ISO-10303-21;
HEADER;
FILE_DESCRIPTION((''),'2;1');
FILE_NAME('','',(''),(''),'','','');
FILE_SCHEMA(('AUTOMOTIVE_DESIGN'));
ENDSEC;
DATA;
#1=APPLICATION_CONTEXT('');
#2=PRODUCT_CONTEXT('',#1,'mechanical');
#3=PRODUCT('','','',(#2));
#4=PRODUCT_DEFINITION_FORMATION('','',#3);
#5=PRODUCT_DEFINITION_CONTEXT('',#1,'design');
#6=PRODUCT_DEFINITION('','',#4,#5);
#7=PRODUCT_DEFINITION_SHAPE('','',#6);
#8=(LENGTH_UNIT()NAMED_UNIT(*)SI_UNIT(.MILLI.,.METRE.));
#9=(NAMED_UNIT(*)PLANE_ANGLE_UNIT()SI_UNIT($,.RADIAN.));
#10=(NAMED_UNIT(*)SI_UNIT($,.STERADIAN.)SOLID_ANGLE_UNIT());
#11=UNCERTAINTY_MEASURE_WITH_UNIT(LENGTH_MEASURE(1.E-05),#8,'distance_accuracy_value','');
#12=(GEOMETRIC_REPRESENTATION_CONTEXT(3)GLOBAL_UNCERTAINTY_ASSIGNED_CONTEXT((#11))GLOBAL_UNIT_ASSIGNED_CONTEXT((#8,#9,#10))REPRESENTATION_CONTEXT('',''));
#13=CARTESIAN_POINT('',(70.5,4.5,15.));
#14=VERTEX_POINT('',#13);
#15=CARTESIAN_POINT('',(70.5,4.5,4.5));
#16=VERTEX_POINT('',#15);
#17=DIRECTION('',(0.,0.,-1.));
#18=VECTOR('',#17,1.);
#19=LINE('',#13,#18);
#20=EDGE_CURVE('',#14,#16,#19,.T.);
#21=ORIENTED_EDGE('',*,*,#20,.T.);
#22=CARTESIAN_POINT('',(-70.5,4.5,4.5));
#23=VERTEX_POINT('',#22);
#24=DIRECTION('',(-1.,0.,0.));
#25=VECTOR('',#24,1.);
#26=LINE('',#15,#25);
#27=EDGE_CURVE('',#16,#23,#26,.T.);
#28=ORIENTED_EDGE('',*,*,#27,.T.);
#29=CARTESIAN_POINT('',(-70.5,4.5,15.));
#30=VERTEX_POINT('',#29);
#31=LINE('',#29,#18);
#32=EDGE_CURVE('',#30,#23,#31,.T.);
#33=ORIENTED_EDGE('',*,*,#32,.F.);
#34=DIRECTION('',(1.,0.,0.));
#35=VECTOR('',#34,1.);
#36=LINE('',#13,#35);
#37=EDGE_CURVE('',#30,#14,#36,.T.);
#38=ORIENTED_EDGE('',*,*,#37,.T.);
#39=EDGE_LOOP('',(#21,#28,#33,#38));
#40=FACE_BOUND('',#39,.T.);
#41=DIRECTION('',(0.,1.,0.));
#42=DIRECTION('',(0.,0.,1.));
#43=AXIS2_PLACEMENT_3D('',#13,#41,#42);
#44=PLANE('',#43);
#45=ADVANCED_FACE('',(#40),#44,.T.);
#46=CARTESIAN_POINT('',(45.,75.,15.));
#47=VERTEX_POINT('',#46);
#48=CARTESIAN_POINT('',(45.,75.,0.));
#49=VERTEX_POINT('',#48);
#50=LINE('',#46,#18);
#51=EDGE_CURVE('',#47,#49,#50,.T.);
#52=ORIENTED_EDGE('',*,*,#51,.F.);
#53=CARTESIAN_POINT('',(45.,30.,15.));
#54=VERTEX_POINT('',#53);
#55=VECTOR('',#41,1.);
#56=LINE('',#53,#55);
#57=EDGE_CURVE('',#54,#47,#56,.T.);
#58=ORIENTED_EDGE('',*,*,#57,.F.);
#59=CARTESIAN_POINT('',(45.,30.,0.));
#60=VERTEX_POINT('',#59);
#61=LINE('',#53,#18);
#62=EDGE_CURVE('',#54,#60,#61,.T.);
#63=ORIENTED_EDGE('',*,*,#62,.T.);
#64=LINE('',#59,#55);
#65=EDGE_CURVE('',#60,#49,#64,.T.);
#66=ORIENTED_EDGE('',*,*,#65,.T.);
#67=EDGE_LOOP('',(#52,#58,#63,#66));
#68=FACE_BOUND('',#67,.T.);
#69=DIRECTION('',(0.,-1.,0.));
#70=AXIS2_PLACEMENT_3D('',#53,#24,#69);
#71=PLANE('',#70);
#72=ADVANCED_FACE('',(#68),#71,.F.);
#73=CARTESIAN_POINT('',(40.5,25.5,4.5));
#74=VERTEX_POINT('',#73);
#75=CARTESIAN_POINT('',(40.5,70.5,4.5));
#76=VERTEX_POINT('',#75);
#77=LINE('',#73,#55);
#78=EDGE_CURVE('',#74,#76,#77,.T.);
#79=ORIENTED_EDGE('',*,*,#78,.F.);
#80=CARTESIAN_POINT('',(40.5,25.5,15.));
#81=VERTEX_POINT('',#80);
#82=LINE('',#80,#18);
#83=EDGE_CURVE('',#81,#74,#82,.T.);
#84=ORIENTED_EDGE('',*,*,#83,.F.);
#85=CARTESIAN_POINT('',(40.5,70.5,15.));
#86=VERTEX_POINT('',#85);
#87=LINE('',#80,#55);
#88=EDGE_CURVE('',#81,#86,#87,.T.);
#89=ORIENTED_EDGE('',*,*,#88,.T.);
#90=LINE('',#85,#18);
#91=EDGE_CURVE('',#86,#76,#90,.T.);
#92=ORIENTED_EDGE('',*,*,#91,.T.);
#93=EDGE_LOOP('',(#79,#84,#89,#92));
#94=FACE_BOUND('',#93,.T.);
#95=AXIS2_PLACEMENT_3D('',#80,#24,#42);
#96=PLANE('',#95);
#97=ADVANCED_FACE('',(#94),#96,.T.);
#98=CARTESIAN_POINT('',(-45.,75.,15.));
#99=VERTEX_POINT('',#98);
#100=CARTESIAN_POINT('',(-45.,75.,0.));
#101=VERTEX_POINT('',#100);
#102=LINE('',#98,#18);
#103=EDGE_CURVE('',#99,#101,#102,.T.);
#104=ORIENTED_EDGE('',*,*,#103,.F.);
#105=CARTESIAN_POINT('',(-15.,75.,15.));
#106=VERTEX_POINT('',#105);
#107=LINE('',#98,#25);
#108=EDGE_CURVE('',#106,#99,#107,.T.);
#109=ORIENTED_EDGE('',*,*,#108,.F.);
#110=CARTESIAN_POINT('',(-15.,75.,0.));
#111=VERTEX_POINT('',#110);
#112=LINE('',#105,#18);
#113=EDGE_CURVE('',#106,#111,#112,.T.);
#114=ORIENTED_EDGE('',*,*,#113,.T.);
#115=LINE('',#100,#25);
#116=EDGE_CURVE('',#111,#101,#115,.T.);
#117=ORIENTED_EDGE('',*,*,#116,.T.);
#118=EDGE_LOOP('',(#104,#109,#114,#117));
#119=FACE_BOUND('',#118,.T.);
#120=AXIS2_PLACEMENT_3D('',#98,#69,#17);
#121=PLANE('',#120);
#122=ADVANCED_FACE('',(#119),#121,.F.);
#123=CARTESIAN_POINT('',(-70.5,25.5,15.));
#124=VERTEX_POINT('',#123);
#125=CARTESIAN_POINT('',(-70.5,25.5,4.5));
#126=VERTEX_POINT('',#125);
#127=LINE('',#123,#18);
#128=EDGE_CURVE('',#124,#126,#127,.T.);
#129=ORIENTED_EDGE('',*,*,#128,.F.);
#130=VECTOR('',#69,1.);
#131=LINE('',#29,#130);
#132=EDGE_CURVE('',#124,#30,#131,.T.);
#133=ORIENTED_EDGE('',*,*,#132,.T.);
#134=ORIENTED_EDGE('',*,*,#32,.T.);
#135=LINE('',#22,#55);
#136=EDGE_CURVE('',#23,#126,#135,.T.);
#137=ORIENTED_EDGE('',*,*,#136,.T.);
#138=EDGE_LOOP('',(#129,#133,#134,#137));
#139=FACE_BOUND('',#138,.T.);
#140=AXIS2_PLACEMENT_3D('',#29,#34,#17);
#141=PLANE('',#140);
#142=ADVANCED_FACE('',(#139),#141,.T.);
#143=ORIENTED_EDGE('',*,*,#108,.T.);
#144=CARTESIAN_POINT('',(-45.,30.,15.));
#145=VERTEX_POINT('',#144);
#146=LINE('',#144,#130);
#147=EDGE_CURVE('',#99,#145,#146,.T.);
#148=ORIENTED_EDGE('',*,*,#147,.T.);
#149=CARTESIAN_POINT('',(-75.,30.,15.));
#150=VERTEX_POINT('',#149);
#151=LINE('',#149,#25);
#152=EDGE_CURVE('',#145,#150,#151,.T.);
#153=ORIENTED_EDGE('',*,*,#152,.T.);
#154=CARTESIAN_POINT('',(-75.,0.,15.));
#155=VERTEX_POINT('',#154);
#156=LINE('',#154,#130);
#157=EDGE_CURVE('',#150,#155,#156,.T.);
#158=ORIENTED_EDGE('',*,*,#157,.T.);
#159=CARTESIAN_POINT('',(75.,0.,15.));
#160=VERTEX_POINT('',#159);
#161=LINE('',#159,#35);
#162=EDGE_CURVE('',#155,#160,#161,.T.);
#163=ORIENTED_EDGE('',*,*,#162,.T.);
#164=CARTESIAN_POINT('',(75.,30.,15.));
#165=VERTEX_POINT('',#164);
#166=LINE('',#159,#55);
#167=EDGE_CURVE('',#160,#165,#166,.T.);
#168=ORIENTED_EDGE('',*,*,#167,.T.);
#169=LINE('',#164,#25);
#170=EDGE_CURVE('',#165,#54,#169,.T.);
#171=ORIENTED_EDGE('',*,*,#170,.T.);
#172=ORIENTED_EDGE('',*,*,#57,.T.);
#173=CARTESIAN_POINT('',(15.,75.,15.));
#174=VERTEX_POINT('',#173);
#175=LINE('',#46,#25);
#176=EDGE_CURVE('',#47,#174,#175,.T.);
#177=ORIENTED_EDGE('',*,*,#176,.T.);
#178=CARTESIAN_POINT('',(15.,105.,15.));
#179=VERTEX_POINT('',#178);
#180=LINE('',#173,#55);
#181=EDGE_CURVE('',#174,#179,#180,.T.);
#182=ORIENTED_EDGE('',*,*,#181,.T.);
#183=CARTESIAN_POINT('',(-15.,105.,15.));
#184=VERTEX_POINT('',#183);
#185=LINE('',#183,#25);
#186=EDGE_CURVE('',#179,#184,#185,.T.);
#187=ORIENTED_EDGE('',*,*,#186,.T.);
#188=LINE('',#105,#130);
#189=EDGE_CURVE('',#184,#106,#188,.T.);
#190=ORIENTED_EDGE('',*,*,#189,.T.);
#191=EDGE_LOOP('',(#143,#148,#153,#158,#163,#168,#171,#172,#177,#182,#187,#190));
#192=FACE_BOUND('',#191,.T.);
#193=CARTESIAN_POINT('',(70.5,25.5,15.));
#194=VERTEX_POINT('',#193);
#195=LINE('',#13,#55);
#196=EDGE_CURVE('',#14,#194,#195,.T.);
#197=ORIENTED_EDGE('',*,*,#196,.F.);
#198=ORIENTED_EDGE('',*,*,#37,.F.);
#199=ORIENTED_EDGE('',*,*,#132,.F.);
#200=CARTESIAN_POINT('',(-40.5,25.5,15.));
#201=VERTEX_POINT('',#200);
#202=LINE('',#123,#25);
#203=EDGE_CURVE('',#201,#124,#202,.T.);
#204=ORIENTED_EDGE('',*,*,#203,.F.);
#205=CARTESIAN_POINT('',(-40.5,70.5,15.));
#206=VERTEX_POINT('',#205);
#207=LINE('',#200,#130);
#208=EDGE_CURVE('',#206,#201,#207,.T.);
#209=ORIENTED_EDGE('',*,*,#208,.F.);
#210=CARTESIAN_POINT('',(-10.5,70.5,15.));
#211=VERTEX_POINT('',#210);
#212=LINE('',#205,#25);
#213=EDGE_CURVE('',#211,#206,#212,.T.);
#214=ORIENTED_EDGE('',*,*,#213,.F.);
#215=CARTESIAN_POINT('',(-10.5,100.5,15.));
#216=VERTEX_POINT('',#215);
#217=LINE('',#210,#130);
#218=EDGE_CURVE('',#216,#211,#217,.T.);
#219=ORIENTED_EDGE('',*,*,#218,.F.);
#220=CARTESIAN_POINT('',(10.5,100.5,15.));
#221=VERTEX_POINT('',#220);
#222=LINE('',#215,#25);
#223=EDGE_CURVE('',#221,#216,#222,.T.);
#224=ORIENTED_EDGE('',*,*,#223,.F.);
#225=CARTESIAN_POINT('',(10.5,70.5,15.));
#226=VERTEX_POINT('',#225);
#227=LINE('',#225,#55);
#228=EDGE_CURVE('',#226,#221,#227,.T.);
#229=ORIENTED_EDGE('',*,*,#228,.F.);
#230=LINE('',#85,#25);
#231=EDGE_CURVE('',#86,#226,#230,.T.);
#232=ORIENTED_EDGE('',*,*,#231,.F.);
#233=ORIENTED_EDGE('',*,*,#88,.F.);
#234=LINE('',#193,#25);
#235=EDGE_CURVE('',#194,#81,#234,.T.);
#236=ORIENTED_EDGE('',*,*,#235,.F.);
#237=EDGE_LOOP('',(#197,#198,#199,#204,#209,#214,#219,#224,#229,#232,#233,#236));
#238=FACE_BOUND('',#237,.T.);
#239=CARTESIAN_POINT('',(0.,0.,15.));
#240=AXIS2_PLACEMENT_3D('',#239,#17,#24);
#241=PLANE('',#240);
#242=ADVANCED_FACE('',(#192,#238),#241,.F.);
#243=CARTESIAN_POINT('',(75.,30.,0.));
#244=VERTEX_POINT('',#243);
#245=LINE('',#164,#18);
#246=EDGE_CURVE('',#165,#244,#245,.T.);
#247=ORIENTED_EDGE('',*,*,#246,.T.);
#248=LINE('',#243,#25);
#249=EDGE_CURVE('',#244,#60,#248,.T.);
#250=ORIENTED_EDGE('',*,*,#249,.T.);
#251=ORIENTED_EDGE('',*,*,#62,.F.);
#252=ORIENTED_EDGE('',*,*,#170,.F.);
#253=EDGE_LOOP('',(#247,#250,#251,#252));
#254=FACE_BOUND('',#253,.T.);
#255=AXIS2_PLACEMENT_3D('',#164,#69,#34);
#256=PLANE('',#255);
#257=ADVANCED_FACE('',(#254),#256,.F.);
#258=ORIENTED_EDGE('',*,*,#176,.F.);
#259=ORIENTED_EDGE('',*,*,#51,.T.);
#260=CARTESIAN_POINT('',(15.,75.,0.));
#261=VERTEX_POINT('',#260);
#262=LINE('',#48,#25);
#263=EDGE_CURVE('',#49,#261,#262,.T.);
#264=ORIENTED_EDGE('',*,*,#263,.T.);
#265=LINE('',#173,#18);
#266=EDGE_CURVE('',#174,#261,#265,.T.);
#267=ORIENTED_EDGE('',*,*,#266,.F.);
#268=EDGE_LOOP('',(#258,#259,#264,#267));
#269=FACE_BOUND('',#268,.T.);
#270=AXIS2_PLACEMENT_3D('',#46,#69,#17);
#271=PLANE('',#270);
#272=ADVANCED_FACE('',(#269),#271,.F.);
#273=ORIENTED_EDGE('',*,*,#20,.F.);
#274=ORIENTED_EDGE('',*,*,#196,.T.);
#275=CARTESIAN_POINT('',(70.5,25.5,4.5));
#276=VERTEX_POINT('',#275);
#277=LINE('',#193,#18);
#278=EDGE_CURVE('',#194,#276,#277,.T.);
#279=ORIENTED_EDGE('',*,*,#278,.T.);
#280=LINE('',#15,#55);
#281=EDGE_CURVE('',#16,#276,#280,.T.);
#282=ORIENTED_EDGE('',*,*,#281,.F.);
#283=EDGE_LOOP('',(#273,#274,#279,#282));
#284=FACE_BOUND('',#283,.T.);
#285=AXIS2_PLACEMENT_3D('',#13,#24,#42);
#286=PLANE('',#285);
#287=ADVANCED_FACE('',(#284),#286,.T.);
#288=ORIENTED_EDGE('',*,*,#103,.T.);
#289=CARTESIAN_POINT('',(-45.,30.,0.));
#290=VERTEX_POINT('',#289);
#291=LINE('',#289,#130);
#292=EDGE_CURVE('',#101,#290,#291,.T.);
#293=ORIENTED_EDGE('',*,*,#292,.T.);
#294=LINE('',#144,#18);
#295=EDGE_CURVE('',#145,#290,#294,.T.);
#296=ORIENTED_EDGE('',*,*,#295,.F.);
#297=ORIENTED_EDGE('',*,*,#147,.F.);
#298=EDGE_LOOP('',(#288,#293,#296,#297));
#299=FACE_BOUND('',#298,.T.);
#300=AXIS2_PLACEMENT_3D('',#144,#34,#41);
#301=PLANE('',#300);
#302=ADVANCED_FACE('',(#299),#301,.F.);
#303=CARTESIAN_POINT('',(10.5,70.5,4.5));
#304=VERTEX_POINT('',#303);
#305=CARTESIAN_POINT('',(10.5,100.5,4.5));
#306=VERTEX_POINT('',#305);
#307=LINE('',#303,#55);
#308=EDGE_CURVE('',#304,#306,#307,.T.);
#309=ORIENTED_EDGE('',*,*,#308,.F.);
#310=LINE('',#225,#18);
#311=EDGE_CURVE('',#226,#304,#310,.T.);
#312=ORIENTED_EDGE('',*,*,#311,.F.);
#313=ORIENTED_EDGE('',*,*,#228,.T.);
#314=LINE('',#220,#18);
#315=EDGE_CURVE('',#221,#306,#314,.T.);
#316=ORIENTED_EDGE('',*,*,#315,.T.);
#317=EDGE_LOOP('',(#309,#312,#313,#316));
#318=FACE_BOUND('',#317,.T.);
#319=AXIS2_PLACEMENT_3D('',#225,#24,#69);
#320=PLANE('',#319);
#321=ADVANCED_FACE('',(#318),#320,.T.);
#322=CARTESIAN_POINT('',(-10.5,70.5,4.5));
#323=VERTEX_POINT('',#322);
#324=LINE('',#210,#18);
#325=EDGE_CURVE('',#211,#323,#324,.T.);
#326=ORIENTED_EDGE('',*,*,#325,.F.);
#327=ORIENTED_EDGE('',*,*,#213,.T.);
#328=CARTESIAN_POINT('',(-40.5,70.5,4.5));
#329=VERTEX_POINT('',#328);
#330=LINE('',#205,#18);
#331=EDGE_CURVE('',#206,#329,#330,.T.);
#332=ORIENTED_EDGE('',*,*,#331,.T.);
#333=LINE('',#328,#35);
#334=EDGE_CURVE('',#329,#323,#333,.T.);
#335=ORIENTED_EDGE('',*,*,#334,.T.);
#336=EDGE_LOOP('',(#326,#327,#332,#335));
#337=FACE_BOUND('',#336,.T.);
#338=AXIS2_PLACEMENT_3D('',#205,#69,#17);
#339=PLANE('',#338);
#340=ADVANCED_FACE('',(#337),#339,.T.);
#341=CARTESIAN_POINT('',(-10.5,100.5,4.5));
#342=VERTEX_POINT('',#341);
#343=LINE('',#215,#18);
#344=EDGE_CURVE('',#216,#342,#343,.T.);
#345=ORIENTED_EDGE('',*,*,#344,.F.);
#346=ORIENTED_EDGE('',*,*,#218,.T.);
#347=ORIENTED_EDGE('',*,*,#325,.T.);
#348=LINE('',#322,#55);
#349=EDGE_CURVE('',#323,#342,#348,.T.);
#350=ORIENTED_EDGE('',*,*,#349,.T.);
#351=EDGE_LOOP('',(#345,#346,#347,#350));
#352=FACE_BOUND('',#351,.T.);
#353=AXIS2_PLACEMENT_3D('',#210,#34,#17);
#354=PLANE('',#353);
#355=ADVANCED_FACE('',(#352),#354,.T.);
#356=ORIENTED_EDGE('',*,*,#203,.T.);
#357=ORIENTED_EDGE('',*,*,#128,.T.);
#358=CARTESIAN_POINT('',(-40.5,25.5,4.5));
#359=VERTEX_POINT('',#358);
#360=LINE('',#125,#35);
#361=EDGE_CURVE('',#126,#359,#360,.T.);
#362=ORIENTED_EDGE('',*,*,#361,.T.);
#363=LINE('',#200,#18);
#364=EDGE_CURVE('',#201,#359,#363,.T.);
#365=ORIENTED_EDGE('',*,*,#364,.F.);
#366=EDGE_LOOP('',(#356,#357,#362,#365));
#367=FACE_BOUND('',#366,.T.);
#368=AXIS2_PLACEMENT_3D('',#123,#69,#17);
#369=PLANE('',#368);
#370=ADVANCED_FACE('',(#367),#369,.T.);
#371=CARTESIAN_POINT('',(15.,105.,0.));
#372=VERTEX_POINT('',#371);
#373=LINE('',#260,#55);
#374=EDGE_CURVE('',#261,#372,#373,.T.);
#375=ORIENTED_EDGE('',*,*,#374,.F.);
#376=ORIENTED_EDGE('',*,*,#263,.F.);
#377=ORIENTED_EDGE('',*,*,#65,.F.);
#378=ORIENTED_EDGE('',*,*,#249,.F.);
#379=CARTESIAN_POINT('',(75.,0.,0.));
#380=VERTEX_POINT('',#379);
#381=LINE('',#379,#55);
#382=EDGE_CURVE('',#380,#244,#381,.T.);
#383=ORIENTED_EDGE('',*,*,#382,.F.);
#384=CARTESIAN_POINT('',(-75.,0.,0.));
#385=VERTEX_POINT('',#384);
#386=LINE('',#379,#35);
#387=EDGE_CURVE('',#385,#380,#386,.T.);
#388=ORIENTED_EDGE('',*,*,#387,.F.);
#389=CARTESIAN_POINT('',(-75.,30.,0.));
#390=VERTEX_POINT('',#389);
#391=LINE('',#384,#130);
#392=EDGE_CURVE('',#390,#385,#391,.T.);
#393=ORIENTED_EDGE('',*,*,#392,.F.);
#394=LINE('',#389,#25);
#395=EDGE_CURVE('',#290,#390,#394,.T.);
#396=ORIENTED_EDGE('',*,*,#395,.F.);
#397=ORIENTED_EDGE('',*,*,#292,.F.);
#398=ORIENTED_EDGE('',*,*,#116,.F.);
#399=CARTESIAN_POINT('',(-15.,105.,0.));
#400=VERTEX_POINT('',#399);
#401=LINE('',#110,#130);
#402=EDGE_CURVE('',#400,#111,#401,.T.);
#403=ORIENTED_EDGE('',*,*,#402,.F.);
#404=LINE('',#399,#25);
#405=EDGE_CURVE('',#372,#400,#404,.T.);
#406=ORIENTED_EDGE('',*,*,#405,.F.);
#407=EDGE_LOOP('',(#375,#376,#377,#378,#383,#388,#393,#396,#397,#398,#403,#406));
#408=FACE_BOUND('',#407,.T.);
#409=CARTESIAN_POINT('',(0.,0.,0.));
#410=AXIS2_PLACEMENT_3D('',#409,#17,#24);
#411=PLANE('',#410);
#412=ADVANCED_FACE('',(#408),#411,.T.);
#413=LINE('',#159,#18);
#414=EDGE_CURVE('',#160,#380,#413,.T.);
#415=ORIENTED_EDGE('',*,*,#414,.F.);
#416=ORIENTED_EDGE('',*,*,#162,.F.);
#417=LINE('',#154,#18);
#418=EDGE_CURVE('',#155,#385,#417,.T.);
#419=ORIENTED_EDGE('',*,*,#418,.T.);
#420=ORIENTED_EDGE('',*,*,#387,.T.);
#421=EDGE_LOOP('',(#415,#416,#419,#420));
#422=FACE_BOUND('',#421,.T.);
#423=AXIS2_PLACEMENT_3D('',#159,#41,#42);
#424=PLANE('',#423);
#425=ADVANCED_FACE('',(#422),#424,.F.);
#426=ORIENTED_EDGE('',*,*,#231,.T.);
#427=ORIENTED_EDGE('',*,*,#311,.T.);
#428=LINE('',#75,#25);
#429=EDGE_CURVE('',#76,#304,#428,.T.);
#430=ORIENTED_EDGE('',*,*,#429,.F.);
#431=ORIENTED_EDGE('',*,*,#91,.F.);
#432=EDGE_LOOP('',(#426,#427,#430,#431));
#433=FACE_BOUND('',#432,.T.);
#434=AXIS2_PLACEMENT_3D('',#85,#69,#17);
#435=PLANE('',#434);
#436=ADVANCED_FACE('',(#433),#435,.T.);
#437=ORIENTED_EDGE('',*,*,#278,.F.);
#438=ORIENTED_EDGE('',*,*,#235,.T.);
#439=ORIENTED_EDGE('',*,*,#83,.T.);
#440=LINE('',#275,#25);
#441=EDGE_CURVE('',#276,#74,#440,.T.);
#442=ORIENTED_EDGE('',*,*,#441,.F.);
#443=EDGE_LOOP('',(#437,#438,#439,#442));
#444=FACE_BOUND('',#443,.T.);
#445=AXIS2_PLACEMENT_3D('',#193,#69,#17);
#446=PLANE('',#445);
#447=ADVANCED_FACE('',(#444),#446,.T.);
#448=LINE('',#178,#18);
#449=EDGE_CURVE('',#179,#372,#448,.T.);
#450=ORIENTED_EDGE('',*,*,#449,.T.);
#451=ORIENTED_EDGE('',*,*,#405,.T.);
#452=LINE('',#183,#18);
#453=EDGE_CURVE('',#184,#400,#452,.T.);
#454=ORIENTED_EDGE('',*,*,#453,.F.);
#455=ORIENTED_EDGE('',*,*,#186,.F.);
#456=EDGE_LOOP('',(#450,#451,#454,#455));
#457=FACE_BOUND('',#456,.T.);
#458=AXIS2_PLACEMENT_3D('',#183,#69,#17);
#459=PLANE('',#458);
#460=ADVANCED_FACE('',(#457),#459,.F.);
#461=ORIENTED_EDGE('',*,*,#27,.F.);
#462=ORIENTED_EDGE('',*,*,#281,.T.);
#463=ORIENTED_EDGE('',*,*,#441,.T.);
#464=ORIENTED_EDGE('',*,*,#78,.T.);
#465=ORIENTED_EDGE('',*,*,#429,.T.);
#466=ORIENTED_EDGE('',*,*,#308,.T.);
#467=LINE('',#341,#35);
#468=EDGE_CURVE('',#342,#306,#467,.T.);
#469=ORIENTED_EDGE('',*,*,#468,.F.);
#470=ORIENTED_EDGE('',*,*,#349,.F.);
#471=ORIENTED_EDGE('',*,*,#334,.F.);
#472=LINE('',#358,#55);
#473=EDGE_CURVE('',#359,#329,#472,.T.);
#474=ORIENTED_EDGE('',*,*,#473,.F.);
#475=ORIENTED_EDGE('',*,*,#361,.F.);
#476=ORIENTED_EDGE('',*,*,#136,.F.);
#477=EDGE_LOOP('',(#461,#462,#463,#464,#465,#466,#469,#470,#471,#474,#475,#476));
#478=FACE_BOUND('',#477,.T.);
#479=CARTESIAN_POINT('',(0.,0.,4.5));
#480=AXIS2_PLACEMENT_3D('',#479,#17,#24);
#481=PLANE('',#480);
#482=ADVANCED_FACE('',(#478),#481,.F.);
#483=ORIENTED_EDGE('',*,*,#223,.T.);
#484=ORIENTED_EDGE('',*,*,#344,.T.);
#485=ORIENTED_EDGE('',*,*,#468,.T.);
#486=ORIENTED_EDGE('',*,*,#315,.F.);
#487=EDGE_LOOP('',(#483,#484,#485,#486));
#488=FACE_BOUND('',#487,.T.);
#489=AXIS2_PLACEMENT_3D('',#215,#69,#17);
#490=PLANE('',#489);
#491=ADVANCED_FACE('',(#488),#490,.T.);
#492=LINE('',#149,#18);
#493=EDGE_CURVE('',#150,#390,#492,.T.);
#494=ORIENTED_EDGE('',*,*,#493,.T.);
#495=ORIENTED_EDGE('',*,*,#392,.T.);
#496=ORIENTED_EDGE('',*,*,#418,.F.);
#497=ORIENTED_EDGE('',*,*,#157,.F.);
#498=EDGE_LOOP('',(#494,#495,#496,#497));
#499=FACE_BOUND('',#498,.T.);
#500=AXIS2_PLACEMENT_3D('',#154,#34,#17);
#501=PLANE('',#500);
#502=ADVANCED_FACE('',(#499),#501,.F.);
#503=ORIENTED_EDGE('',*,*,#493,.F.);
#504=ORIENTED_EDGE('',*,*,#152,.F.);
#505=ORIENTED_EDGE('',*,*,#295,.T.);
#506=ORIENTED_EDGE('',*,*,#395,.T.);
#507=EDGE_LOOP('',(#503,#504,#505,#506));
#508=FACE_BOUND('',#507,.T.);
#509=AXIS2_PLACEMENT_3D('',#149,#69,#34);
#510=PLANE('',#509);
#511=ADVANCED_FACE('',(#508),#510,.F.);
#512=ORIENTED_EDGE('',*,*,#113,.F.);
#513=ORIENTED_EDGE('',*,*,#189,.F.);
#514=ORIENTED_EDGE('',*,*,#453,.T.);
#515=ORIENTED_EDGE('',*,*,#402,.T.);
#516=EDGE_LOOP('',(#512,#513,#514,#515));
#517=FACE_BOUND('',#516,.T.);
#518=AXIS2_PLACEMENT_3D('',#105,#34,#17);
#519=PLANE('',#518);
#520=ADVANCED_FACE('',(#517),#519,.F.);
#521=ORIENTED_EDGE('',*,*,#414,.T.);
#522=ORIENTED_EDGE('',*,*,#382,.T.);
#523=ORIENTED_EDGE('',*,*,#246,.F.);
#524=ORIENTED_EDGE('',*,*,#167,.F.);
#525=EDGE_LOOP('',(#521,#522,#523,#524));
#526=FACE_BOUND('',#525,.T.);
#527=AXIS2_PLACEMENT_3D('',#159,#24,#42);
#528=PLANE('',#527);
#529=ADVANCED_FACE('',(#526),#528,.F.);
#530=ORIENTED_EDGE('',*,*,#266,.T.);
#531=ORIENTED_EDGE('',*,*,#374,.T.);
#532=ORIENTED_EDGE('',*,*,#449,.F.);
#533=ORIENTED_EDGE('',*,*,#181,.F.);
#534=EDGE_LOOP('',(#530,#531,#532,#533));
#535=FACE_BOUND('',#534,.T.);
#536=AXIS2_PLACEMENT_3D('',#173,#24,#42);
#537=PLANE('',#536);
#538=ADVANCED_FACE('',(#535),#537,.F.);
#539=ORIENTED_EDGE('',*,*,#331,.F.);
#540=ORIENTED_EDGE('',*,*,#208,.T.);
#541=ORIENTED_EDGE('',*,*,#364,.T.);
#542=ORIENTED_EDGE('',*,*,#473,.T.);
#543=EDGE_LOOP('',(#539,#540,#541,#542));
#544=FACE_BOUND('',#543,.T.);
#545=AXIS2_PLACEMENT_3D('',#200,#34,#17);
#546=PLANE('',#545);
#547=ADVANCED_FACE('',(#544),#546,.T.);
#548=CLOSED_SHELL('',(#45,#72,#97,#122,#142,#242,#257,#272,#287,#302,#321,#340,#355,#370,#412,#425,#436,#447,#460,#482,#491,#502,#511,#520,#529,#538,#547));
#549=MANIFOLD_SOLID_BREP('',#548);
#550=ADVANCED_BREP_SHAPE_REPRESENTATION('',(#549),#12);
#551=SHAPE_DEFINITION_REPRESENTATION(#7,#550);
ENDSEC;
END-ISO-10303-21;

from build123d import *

# Parameters (mm, degrees)
BOSS_EXTRUDE1_DEPTH = 15
BOSS_EXTRUDE2_DEPTH = 4.5


with BuildPart() as part:
    # Sketch1 → Boss-Extrude1 (new body)
    with BuildSketch(Plane.XY):
        Polygon((75, 0), (-75, 0), (-75, 30), (-45, 30), (-45, 75), (-15, 75), (-15, 105), (15, 105), (15, 75), (45, 75), (45, 30), (75, 30), align=None)
        Polygon((-70.5, 4.5), (-70.5, 25.5), (-40.5, 25.5), (-40.5, 70.5), (-10.5, 70.5), (-10.5, 100.5), (10.5, 100.5), (10.5, 70.5), (40.5, 70.5), (40.5, 25.5), (70.5, 25.5), (70.5, 4.5), align=None, mode=Mode.SUBTRACT)
    extrude(amount=BOSS_EXTRUDE1_DEPTH)

    # Sketch1<2> → Boss-Extrude2 (add)
    with BuildSketch(Plane.XY):
        Polygon((-70.5, 4.5), (-70.5, 25.5), (-40.5, 25.5), (-40.5, 70.5), (-10.5, 70.5), (-10.5, 100.5), (10.5, 100.5), (10.5, 70.5), (40.5, 70.5), (40.5, 25.5), (70.5, 25.5), (70.5, 4.5), align=None)
    extrude(amount=BOSS_EXTRUDE2_DEPTH)


solid = part.part
